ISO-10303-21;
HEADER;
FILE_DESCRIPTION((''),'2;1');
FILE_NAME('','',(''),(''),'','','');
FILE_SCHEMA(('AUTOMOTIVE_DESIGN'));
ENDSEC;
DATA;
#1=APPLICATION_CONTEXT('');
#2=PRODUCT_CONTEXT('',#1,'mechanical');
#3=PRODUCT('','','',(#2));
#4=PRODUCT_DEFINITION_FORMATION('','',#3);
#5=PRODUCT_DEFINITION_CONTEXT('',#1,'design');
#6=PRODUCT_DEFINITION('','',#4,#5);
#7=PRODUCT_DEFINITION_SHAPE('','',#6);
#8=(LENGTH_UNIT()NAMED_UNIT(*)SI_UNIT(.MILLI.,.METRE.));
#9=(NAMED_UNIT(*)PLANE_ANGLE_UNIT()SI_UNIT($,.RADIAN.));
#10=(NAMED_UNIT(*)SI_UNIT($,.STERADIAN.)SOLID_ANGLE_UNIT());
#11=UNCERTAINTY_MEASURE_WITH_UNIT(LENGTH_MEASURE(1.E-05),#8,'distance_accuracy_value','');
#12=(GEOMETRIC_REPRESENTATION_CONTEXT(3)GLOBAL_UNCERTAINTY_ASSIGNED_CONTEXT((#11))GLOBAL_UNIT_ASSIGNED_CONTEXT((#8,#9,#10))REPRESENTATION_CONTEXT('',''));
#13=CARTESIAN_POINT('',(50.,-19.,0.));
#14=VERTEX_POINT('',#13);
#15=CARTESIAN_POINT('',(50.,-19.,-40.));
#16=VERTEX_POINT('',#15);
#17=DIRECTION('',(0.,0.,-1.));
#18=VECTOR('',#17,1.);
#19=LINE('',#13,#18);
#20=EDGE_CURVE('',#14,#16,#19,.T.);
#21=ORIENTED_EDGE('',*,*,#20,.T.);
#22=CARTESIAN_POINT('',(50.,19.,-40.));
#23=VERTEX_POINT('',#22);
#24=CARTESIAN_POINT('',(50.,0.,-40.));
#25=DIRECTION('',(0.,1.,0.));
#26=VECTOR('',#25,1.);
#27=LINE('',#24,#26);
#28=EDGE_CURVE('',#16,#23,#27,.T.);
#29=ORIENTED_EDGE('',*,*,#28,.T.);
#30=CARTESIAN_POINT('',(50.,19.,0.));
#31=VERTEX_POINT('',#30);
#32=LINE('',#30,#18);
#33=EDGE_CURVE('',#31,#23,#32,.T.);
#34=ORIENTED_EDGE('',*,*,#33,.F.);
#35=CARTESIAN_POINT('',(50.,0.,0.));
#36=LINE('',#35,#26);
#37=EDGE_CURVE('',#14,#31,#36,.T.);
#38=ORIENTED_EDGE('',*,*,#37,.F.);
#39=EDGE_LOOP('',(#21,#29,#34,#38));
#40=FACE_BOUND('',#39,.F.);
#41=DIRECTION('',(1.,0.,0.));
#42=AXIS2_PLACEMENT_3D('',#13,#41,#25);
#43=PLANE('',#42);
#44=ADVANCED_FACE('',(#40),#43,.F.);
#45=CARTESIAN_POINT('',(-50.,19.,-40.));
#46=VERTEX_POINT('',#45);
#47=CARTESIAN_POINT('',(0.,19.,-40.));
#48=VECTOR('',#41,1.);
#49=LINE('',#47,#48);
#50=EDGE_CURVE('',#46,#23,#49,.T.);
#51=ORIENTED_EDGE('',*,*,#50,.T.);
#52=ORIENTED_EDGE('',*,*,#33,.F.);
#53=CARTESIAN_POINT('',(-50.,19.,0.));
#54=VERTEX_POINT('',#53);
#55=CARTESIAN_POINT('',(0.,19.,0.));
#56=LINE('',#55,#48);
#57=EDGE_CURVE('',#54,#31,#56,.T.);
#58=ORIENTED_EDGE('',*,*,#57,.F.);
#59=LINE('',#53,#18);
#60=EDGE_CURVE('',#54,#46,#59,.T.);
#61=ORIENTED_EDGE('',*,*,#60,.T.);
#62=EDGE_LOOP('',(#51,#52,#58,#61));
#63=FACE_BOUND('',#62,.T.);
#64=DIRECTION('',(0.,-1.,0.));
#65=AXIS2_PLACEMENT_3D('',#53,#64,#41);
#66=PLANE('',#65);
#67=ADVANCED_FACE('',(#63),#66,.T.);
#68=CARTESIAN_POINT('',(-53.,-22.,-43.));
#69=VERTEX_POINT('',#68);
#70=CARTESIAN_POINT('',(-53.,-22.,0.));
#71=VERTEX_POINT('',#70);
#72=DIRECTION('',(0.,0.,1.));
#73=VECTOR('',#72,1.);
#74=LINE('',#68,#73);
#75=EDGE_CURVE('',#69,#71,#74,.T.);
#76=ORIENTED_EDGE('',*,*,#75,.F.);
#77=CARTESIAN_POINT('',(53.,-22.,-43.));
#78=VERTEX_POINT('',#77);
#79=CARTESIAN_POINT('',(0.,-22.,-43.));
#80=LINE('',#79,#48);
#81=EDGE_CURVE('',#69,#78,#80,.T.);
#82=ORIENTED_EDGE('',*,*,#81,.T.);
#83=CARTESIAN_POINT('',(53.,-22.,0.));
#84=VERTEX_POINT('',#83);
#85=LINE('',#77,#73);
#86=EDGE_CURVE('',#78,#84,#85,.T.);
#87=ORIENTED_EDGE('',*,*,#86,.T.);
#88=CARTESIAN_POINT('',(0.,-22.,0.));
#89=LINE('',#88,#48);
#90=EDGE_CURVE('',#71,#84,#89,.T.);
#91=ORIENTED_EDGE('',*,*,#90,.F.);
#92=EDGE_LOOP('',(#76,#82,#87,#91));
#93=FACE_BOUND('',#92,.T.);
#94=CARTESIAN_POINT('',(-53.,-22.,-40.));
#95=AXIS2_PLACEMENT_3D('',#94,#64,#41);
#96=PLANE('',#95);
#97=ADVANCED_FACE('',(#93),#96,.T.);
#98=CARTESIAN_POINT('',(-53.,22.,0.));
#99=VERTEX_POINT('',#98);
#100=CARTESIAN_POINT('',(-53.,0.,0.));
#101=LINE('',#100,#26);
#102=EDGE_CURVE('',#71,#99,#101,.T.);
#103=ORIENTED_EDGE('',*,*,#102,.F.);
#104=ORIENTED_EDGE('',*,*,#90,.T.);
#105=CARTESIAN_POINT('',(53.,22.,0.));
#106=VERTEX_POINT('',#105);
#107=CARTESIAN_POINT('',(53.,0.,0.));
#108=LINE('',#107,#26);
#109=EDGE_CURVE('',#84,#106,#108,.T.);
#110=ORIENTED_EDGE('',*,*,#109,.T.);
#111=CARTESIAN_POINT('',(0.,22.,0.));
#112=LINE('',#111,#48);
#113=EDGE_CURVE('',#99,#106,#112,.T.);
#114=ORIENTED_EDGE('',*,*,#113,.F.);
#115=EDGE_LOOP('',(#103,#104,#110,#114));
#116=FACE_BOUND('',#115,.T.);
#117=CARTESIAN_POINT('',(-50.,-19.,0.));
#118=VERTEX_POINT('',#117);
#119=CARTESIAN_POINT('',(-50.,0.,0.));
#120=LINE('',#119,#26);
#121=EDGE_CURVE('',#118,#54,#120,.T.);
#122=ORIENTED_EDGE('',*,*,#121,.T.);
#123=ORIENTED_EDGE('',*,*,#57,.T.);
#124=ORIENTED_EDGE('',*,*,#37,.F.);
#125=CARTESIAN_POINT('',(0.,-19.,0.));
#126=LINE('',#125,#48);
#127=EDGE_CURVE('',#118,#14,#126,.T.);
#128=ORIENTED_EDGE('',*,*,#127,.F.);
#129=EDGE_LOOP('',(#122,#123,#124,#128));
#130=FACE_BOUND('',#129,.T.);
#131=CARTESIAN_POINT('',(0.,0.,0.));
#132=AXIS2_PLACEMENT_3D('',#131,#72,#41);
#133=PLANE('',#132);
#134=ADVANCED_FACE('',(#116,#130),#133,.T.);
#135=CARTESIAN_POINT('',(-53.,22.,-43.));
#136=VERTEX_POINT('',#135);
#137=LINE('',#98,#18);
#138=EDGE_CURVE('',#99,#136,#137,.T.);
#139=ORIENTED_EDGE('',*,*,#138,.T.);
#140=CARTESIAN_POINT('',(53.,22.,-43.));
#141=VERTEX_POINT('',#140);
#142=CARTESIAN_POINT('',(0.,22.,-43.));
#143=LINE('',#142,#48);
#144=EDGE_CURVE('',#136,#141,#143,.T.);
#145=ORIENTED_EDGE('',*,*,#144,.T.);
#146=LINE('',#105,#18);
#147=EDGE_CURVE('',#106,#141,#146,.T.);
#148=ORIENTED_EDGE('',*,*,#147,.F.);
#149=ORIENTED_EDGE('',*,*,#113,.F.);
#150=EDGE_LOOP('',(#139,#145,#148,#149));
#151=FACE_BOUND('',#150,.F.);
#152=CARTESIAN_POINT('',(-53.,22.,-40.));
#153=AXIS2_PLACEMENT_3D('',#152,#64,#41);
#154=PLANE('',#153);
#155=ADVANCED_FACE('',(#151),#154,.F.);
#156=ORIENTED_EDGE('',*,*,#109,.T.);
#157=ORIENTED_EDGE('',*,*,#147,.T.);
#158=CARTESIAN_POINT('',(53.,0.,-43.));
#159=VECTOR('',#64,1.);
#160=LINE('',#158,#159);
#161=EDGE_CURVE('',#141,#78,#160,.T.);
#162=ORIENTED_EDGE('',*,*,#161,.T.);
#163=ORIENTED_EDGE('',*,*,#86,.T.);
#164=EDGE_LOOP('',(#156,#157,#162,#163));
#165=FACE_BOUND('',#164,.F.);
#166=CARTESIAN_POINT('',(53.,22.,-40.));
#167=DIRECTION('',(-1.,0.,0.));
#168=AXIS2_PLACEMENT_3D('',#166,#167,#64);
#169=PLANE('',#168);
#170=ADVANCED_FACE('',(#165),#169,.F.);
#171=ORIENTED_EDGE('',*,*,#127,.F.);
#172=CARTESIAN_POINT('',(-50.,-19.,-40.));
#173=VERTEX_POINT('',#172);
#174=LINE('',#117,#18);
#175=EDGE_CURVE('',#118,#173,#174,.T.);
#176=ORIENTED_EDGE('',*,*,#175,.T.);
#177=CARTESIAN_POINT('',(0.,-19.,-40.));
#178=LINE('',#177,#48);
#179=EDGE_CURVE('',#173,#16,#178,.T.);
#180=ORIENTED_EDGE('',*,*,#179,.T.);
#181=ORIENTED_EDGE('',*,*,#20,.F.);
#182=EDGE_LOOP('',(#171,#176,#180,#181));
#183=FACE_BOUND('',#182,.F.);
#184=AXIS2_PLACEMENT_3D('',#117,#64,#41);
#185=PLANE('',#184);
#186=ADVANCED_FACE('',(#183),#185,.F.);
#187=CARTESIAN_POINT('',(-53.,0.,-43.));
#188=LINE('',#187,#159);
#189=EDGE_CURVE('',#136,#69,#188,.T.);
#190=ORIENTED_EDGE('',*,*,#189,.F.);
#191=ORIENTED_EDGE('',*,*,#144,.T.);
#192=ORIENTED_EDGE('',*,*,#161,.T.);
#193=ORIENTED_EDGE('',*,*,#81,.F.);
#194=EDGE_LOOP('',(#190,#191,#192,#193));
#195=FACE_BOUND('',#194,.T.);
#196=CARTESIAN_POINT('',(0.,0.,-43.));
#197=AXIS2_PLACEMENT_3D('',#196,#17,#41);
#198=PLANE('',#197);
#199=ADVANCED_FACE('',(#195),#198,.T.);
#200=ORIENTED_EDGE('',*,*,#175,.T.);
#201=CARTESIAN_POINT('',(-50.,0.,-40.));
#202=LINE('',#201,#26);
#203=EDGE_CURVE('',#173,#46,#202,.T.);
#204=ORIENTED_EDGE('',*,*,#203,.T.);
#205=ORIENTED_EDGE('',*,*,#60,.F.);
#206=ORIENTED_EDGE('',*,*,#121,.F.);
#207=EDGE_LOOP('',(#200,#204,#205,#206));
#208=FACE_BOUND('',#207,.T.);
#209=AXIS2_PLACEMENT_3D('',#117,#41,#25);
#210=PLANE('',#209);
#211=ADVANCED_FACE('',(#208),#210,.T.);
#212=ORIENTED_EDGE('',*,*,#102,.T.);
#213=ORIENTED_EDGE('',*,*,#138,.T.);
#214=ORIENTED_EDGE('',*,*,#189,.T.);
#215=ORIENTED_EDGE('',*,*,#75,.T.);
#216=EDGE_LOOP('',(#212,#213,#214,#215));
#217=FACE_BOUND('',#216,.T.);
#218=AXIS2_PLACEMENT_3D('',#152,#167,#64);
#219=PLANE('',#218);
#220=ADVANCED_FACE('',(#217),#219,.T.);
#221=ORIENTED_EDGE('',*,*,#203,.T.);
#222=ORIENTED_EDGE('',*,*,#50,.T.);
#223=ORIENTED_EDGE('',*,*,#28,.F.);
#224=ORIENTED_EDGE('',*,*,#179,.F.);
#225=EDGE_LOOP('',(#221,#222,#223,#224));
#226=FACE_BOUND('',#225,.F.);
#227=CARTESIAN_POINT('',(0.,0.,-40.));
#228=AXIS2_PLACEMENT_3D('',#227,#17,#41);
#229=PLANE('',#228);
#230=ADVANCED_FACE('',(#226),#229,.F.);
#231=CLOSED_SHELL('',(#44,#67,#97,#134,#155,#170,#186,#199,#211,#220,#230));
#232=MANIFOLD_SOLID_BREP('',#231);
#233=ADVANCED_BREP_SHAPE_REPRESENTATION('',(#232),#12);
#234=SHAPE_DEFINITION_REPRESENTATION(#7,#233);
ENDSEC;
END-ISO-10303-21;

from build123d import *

# Parameters (mm, degrees)
F1_W     = 106
F1_H     = 44
F1_W_2   = 100
F1_H_2   = 38
F2_DEPTH = 40
F3_W     = 106
F3_H     = 44
F3_W_2   = 100
F3_H_2   = 38
F4_DEPTH = 3


with BuildPart() as f2:
    # F1 (on Top) → F2 (new body)
    with BuildSketch(Plane.XY):
        Rectangle(F1_W, F1_H)
        Rectangle(F1_W_2, F1_H_2, mode=Mode.SUBTRACT)
    extrude(amount=-F2_DEPTH)

    # F3 (on face) → F4 (join)
    with BuildSketch(Plane(origin=(0, 0, -40), x_dir=(1, 0, 0), z_dir=(0, 0, -1))):
        Rectangle(F3_W, F3_H)
        Rectangle(F3_W_2, F3_H_2, mode=Mode.SUBTRACT)
        Rectangle(F3_W_2, F3_H_2)
    extrude(amount=F4_DEPTH)


solid = f2.part
